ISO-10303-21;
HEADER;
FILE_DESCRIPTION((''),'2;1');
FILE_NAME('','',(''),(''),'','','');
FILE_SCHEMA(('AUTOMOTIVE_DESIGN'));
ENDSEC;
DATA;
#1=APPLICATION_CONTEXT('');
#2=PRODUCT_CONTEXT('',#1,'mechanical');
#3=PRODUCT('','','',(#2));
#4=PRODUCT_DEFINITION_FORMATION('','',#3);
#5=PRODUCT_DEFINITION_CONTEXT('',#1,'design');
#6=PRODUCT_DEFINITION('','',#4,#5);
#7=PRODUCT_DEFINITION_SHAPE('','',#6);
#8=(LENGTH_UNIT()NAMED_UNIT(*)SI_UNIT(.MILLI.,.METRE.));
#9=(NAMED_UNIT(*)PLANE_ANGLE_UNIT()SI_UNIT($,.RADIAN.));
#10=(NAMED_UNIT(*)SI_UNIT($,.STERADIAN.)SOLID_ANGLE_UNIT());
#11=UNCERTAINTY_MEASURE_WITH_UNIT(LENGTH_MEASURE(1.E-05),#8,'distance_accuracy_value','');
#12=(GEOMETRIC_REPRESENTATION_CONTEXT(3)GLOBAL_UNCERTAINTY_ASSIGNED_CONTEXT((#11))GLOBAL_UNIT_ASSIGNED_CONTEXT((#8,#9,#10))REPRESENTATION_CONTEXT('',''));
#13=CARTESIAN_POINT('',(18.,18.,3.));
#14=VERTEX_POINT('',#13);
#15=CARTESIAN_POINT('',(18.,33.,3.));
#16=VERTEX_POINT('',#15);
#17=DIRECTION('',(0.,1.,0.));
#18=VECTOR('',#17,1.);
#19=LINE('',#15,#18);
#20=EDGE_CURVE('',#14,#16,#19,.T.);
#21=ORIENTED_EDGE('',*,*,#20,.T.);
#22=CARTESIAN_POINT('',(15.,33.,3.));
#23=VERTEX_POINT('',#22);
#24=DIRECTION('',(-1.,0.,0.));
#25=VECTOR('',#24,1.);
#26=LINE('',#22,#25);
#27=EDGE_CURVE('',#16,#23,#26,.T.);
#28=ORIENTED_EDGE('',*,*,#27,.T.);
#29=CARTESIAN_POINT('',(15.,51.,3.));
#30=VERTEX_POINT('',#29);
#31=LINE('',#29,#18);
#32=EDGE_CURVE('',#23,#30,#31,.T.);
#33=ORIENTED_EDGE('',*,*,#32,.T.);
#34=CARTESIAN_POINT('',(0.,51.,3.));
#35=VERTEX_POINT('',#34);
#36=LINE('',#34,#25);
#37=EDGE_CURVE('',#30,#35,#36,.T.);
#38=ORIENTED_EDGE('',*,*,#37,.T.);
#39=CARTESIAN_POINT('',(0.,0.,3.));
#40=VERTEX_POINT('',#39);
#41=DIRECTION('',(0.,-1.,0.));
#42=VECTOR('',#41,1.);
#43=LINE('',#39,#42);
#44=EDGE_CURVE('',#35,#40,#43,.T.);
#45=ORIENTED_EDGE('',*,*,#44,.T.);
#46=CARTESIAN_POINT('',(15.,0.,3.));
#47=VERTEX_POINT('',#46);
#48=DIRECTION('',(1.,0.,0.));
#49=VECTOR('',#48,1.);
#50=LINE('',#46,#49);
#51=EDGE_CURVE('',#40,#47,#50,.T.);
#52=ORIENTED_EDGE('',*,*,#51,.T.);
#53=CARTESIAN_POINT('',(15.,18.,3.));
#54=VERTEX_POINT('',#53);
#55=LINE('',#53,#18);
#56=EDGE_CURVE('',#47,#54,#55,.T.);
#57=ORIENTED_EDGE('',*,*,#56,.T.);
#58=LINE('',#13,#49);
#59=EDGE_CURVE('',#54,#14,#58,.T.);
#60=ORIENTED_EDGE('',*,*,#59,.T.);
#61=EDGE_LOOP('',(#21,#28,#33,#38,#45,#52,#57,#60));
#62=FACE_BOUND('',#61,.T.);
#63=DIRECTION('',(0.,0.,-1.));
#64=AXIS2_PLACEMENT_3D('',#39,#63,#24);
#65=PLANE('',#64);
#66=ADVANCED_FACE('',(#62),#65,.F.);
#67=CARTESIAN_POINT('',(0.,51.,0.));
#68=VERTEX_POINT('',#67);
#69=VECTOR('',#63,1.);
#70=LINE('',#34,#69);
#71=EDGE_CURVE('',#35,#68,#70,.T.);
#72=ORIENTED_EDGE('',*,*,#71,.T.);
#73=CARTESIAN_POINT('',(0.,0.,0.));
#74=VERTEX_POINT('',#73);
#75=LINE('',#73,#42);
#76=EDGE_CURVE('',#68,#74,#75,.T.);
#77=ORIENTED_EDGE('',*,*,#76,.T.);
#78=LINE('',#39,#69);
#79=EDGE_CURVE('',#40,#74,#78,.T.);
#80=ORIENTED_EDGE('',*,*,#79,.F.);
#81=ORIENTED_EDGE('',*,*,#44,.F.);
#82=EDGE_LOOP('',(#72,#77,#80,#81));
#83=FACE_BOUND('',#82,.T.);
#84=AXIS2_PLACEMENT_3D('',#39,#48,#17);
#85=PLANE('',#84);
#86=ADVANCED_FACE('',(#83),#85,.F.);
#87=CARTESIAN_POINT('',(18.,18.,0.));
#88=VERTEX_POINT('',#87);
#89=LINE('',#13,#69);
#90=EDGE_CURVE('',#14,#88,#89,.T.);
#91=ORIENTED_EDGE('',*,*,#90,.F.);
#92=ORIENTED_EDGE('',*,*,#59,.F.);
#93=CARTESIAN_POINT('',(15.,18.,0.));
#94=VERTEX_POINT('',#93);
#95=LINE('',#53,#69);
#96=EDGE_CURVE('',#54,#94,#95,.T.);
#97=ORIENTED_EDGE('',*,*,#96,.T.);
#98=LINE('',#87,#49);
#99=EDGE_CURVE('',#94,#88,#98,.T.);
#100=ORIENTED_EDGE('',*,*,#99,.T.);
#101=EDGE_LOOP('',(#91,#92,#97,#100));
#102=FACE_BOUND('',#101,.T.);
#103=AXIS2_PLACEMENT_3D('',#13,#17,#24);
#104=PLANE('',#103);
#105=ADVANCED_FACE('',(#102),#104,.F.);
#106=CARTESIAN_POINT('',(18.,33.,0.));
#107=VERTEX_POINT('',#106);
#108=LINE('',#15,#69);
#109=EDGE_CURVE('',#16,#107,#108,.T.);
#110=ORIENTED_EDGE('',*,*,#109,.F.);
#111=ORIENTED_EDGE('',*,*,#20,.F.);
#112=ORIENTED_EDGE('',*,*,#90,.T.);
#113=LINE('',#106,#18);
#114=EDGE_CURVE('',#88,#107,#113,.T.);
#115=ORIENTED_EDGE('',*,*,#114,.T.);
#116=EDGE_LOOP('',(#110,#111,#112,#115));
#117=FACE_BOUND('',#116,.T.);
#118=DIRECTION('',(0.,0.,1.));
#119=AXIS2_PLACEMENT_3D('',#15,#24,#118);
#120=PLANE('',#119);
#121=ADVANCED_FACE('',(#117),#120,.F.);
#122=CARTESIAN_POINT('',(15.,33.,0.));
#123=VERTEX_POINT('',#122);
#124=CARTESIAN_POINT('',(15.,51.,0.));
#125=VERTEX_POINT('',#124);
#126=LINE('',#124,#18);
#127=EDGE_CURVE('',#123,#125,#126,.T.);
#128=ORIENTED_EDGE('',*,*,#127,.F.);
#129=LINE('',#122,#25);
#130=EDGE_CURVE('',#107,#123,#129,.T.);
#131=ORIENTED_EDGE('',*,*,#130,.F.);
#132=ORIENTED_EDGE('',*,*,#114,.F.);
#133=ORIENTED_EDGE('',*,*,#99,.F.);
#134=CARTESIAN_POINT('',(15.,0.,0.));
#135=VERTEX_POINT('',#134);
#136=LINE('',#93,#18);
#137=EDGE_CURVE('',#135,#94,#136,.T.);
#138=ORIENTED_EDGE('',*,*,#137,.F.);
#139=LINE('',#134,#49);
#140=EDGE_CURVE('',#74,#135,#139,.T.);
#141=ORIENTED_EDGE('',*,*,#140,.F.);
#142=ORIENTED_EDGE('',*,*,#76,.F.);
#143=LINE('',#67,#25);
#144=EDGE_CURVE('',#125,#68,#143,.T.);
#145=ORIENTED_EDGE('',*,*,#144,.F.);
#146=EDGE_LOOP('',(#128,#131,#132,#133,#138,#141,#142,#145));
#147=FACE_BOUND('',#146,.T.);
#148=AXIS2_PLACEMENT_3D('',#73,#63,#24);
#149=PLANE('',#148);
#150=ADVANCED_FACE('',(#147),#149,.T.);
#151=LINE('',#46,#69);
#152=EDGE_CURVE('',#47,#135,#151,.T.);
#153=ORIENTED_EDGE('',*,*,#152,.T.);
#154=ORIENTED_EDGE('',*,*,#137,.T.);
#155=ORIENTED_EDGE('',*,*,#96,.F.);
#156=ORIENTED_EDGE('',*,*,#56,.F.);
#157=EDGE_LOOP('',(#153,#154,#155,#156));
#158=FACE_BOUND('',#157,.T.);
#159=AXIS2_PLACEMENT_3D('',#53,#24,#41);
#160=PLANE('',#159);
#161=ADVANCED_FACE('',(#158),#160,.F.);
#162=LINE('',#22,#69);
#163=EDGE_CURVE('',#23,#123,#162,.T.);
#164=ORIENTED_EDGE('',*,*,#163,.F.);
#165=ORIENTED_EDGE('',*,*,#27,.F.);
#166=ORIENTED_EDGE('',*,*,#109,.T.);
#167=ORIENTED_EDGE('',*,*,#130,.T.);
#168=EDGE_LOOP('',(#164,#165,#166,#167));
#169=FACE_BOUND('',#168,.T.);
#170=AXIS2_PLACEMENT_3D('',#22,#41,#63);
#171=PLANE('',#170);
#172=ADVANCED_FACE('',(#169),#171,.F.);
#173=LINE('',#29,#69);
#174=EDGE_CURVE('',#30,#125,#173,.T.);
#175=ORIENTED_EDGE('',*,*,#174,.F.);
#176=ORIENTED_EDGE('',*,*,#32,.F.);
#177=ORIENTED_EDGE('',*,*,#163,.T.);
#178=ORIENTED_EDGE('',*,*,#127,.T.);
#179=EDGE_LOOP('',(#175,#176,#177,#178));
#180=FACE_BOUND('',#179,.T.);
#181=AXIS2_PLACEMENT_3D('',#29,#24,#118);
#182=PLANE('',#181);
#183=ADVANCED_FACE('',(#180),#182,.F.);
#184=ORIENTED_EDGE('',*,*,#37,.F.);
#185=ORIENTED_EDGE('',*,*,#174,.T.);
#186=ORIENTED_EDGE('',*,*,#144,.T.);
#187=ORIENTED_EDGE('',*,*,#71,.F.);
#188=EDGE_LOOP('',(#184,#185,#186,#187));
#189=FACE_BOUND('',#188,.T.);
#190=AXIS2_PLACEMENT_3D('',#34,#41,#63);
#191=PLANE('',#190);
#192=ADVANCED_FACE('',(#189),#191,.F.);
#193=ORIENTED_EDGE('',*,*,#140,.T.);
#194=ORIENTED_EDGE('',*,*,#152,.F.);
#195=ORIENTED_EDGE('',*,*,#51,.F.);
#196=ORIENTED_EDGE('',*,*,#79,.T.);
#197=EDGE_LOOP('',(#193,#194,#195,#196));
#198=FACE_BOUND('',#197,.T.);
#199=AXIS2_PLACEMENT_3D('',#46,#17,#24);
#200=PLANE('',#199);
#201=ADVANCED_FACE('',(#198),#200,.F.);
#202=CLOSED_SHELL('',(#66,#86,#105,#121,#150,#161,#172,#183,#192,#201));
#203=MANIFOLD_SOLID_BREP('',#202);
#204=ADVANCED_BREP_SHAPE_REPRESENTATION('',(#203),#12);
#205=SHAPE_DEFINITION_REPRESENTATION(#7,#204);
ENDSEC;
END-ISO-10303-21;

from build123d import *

# Parameters (mm, degrees)
BOSS_EXTRUDE1_DEPTH = 3


with BuildPart() as part:
    # Sketch1 → Boss-Extrude1 (new body)
    with BuildSketch(Plane.XY):
        Polygon((0, 0), (0, 51), (15, 51), (15, 33), (18, 33), (18, 18), (15, 18), (15, 0), align=None)
    extrude(amount=BOSS_EXTRUDE1_DEPTH)


solid = part.part
